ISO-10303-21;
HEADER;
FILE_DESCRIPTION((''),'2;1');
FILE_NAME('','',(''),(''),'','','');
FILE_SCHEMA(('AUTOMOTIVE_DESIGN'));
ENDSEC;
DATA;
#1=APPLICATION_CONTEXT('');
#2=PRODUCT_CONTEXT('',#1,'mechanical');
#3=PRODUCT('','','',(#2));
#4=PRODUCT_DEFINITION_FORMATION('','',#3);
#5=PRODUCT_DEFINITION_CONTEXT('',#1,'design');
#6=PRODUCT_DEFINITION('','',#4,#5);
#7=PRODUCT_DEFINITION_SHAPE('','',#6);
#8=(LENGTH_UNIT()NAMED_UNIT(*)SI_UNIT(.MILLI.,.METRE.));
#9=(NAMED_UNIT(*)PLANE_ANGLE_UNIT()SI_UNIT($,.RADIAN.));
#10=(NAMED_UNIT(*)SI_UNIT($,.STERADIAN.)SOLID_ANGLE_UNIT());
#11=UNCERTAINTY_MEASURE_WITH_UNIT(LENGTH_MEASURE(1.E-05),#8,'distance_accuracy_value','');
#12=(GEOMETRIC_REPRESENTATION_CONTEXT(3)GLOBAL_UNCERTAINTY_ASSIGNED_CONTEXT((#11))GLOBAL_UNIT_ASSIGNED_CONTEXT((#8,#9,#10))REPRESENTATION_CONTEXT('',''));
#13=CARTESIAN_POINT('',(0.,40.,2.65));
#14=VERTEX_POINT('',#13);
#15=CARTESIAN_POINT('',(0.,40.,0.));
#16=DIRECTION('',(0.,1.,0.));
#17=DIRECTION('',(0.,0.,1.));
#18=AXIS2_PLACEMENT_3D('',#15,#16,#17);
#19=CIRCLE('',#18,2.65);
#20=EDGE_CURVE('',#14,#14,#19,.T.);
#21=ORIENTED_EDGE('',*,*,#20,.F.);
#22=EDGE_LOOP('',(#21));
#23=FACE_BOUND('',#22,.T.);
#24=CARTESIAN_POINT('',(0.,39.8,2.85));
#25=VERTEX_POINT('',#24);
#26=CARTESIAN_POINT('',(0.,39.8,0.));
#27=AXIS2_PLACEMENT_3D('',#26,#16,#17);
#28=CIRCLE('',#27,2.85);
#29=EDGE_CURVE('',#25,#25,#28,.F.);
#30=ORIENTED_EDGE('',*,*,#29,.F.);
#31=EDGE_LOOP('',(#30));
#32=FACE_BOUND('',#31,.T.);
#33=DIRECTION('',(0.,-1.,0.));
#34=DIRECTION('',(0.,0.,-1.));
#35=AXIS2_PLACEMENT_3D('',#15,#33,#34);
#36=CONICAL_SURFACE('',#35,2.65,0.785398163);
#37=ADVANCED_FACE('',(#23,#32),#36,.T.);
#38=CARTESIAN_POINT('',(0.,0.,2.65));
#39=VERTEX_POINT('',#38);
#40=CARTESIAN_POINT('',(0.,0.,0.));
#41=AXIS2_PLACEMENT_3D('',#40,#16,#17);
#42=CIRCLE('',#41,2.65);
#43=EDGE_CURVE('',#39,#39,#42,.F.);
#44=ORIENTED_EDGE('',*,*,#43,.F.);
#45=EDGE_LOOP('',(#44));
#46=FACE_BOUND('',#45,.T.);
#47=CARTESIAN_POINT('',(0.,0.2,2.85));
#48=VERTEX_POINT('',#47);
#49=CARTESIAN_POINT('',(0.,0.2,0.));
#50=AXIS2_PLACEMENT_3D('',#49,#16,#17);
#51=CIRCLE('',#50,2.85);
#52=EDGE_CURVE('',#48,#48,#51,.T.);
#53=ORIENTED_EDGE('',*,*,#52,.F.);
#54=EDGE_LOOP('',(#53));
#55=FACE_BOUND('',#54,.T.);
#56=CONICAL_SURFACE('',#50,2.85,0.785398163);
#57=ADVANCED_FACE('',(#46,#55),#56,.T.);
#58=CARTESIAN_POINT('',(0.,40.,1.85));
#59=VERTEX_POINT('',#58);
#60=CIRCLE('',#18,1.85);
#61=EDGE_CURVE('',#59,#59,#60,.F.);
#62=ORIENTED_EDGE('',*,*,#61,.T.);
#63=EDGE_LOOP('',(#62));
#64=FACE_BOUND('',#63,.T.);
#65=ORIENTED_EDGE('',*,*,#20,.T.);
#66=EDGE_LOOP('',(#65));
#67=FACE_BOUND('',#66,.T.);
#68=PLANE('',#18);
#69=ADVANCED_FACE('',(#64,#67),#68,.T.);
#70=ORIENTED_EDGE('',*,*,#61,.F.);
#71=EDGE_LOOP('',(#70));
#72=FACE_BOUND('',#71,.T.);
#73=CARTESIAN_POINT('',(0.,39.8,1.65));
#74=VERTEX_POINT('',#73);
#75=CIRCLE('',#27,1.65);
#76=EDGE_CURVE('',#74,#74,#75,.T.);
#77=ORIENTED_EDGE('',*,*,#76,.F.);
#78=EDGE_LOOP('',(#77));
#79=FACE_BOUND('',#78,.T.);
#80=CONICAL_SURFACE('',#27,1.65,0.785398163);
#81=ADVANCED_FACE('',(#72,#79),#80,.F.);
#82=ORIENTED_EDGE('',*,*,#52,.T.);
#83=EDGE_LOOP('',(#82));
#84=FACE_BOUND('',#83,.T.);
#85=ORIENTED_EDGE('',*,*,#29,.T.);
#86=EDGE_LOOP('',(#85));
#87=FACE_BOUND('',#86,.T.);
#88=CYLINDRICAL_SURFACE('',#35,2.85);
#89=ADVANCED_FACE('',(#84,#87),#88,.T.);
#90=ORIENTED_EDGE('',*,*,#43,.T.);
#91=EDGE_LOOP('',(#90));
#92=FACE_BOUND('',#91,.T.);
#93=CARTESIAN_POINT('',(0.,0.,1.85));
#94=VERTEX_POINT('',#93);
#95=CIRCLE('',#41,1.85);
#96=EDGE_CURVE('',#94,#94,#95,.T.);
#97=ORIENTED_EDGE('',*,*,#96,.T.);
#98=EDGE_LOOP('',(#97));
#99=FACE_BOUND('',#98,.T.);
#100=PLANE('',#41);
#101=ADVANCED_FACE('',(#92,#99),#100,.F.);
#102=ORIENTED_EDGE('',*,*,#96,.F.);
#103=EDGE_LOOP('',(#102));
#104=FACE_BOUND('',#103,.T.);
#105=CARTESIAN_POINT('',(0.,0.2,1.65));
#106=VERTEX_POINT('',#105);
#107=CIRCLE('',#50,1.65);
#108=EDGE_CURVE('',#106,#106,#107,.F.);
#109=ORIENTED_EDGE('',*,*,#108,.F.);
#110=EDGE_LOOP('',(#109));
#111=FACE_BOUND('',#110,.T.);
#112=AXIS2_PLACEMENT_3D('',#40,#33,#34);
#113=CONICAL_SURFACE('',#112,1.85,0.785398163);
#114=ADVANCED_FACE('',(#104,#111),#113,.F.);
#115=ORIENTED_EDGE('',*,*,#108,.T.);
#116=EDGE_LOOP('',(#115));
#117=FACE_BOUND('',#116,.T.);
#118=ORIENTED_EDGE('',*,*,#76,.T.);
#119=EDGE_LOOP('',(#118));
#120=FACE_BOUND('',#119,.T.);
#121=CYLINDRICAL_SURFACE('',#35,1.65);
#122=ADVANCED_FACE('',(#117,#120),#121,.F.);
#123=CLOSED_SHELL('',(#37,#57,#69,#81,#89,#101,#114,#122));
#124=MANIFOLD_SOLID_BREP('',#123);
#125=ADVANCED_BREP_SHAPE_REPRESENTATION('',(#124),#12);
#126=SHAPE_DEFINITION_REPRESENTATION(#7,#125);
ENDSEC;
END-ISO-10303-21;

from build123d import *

# Parameters (mm, degrees)
IZIM1_R                     = 2.85
IZIM1_R_2                   = 1.65
Y_KSEKLIK_EKSTR_ZYON1_DEPTH = 40
PAH1_SIZE                   = 0.2


with BuildPart() as part:
    # Çizim1 → Yükseklik-Ekstrüzyon1 (new body)
    with BuildSketch(Plane(origin=(0, 0, 0), x_dir=(1, 0, 0), z_dir=(0, 1, 0))):
        with Locations(Location((0, 0, 0), (0, 0, 270))):
            Circle(IZIM1_R)
        with Locations(Location((0, 0, 0), (0, 0, 270))):
            Circle(IZIM1_R_2, mode=Mode.SUBTRACT)
    extrude(amount=Y_KSEKLIK_EKSTR_ZYON1_DEPTH)

    # Pah1
    pah1_edges = [part.edges().sort_by_distance(p)[0] for p in [
        (0, 0, -2.85),
        (0, 40, -2.85),
        (0, 0, -1.65),
        (0, 40, -1.65),
    ]]
    chamfer(pah1_edges, length=PAH1_SIZE)


solid = part.part
